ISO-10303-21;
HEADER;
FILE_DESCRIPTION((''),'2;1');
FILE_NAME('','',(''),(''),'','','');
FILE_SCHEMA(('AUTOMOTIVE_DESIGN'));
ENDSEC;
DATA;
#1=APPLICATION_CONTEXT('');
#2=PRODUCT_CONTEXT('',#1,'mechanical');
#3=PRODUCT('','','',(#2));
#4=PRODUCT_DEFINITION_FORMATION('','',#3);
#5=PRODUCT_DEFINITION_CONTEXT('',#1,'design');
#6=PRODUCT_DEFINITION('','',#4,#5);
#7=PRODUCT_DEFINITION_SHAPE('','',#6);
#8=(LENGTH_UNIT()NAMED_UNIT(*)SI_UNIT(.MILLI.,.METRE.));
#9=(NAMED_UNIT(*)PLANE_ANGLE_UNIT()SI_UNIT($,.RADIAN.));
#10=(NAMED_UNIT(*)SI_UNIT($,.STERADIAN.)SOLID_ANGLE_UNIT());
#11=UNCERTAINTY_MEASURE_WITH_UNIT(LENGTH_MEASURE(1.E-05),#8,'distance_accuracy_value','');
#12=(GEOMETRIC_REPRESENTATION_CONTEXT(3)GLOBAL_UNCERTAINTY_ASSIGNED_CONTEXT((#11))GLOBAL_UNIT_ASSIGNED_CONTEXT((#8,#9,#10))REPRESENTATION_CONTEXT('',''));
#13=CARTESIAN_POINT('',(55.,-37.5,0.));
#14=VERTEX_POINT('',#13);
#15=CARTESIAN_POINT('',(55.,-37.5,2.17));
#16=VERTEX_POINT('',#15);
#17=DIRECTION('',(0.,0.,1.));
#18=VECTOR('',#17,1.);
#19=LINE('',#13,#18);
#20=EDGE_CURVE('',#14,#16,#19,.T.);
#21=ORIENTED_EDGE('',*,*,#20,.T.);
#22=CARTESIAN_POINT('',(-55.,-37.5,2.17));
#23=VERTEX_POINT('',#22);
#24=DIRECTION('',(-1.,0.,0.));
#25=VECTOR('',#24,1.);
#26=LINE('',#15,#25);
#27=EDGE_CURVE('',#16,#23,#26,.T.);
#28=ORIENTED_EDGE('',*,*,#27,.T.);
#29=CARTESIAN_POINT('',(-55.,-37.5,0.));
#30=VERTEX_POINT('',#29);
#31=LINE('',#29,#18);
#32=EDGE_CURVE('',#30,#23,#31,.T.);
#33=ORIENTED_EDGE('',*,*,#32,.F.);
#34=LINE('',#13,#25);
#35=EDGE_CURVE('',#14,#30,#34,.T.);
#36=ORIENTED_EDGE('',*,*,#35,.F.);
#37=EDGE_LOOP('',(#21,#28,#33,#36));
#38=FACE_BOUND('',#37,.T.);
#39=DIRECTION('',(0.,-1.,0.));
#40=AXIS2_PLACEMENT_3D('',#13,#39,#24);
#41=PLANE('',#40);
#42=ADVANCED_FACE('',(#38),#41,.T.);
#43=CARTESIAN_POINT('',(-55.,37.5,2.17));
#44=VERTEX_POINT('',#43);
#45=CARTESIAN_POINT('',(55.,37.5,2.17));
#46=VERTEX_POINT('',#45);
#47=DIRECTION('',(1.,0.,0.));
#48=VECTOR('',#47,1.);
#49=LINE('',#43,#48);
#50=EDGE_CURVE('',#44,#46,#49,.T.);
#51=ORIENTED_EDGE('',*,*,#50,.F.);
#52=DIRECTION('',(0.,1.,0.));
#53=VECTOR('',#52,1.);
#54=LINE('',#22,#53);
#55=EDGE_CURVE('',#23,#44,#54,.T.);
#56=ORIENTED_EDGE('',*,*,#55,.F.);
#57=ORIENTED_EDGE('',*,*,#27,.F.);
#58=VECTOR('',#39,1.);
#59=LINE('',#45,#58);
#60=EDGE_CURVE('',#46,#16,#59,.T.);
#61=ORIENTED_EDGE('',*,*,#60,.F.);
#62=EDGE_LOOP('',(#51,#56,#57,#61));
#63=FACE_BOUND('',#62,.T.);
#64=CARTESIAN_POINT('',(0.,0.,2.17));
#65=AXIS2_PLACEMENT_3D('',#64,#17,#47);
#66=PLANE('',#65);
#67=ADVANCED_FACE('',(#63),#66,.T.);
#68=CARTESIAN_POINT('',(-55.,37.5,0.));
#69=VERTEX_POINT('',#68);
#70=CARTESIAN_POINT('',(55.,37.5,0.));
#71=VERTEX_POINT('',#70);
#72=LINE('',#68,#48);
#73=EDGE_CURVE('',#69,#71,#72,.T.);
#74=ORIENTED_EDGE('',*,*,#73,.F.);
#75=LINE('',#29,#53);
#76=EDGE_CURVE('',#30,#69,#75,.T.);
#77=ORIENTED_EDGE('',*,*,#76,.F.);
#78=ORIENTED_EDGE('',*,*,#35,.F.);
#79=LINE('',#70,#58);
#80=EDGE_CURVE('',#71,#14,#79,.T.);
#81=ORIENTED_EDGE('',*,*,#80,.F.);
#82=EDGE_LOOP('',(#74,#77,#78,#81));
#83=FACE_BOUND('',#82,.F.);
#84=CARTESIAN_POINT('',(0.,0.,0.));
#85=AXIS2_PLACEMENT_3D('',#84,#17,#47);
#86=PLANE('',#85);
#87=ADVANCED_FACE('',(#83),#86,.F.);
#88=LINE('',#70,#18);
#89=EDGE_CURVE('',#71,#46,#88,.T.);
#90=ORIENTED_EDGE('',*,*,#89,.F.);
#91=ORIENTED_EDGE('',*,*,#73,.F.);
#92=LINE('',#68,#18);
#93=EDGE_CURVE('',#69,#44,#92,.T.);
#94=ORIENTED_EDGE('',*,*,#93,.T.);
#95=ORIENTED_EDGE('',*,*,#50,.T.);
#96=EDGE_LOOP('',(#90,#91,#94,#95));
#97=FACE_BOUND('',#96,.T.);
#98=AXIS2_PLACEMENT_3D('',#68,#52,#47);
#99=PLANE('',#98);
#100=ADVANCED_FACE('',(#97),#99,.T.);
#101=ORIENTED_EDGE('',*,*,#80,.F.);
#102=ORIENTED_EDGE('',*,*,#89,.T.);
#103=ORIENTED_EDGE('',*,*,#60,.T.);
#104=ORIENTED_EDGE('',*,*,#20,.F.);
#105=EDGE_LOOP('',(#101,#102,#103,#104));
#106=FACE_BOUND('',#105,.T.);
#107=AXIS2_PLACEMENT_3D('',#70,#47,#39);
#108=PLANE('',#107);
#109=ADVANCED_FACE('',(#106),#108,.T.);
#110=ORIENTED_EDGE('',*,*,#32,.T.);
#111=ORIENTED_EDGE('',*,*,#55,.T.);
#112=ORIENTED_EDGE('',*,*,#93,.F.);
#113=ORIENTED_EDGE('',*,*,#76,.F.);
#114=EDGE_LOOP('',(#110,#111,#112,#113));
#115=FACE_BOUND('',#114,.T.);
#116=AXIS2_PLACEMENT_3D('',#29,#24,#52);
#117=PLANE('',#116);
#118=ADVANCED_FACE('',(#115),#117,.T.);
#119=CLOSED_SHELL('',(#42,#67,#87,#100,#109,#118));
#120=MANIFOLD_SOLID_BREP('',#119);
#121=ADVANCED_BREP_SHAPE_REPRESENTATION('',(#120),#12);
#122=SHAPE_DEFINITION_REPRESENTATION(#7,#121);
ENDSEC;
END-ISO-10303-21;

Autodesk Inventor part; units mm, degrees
ref_plane "YZ Plane" through (0, 0, 0) normal (1, 0, 0) x (0, 1, 0)
ref_plane "XZ Plane" through (0, 0, 0) normal (0, 1, 0) x (-1, 0, 0)
ref_plane "XY Plane" through (0, 0, 0) normal (0, 0, 1) x (1, 0, 0)
sketch "Sketch1" plane through (0, 0, 0) normal (0, 0, 1) x (1, 0, 0)
  line L0 (-55, 37.5) -> (55, 37.5)
  line L1 (55, 37.5) -> (55, -37.5)
  line L2 (55, -37.5) -> (-55, -37.5)
  line L3 (-55, -37.5) -> (-55, 37.5)
  point P0 (0, 0)
  dimension "d0" = 110
  dimension "d1" = 75
extrude "Extrusion1" add sketch "Sketch1" along normal blind 2.17
properties part number "MainBoard"
